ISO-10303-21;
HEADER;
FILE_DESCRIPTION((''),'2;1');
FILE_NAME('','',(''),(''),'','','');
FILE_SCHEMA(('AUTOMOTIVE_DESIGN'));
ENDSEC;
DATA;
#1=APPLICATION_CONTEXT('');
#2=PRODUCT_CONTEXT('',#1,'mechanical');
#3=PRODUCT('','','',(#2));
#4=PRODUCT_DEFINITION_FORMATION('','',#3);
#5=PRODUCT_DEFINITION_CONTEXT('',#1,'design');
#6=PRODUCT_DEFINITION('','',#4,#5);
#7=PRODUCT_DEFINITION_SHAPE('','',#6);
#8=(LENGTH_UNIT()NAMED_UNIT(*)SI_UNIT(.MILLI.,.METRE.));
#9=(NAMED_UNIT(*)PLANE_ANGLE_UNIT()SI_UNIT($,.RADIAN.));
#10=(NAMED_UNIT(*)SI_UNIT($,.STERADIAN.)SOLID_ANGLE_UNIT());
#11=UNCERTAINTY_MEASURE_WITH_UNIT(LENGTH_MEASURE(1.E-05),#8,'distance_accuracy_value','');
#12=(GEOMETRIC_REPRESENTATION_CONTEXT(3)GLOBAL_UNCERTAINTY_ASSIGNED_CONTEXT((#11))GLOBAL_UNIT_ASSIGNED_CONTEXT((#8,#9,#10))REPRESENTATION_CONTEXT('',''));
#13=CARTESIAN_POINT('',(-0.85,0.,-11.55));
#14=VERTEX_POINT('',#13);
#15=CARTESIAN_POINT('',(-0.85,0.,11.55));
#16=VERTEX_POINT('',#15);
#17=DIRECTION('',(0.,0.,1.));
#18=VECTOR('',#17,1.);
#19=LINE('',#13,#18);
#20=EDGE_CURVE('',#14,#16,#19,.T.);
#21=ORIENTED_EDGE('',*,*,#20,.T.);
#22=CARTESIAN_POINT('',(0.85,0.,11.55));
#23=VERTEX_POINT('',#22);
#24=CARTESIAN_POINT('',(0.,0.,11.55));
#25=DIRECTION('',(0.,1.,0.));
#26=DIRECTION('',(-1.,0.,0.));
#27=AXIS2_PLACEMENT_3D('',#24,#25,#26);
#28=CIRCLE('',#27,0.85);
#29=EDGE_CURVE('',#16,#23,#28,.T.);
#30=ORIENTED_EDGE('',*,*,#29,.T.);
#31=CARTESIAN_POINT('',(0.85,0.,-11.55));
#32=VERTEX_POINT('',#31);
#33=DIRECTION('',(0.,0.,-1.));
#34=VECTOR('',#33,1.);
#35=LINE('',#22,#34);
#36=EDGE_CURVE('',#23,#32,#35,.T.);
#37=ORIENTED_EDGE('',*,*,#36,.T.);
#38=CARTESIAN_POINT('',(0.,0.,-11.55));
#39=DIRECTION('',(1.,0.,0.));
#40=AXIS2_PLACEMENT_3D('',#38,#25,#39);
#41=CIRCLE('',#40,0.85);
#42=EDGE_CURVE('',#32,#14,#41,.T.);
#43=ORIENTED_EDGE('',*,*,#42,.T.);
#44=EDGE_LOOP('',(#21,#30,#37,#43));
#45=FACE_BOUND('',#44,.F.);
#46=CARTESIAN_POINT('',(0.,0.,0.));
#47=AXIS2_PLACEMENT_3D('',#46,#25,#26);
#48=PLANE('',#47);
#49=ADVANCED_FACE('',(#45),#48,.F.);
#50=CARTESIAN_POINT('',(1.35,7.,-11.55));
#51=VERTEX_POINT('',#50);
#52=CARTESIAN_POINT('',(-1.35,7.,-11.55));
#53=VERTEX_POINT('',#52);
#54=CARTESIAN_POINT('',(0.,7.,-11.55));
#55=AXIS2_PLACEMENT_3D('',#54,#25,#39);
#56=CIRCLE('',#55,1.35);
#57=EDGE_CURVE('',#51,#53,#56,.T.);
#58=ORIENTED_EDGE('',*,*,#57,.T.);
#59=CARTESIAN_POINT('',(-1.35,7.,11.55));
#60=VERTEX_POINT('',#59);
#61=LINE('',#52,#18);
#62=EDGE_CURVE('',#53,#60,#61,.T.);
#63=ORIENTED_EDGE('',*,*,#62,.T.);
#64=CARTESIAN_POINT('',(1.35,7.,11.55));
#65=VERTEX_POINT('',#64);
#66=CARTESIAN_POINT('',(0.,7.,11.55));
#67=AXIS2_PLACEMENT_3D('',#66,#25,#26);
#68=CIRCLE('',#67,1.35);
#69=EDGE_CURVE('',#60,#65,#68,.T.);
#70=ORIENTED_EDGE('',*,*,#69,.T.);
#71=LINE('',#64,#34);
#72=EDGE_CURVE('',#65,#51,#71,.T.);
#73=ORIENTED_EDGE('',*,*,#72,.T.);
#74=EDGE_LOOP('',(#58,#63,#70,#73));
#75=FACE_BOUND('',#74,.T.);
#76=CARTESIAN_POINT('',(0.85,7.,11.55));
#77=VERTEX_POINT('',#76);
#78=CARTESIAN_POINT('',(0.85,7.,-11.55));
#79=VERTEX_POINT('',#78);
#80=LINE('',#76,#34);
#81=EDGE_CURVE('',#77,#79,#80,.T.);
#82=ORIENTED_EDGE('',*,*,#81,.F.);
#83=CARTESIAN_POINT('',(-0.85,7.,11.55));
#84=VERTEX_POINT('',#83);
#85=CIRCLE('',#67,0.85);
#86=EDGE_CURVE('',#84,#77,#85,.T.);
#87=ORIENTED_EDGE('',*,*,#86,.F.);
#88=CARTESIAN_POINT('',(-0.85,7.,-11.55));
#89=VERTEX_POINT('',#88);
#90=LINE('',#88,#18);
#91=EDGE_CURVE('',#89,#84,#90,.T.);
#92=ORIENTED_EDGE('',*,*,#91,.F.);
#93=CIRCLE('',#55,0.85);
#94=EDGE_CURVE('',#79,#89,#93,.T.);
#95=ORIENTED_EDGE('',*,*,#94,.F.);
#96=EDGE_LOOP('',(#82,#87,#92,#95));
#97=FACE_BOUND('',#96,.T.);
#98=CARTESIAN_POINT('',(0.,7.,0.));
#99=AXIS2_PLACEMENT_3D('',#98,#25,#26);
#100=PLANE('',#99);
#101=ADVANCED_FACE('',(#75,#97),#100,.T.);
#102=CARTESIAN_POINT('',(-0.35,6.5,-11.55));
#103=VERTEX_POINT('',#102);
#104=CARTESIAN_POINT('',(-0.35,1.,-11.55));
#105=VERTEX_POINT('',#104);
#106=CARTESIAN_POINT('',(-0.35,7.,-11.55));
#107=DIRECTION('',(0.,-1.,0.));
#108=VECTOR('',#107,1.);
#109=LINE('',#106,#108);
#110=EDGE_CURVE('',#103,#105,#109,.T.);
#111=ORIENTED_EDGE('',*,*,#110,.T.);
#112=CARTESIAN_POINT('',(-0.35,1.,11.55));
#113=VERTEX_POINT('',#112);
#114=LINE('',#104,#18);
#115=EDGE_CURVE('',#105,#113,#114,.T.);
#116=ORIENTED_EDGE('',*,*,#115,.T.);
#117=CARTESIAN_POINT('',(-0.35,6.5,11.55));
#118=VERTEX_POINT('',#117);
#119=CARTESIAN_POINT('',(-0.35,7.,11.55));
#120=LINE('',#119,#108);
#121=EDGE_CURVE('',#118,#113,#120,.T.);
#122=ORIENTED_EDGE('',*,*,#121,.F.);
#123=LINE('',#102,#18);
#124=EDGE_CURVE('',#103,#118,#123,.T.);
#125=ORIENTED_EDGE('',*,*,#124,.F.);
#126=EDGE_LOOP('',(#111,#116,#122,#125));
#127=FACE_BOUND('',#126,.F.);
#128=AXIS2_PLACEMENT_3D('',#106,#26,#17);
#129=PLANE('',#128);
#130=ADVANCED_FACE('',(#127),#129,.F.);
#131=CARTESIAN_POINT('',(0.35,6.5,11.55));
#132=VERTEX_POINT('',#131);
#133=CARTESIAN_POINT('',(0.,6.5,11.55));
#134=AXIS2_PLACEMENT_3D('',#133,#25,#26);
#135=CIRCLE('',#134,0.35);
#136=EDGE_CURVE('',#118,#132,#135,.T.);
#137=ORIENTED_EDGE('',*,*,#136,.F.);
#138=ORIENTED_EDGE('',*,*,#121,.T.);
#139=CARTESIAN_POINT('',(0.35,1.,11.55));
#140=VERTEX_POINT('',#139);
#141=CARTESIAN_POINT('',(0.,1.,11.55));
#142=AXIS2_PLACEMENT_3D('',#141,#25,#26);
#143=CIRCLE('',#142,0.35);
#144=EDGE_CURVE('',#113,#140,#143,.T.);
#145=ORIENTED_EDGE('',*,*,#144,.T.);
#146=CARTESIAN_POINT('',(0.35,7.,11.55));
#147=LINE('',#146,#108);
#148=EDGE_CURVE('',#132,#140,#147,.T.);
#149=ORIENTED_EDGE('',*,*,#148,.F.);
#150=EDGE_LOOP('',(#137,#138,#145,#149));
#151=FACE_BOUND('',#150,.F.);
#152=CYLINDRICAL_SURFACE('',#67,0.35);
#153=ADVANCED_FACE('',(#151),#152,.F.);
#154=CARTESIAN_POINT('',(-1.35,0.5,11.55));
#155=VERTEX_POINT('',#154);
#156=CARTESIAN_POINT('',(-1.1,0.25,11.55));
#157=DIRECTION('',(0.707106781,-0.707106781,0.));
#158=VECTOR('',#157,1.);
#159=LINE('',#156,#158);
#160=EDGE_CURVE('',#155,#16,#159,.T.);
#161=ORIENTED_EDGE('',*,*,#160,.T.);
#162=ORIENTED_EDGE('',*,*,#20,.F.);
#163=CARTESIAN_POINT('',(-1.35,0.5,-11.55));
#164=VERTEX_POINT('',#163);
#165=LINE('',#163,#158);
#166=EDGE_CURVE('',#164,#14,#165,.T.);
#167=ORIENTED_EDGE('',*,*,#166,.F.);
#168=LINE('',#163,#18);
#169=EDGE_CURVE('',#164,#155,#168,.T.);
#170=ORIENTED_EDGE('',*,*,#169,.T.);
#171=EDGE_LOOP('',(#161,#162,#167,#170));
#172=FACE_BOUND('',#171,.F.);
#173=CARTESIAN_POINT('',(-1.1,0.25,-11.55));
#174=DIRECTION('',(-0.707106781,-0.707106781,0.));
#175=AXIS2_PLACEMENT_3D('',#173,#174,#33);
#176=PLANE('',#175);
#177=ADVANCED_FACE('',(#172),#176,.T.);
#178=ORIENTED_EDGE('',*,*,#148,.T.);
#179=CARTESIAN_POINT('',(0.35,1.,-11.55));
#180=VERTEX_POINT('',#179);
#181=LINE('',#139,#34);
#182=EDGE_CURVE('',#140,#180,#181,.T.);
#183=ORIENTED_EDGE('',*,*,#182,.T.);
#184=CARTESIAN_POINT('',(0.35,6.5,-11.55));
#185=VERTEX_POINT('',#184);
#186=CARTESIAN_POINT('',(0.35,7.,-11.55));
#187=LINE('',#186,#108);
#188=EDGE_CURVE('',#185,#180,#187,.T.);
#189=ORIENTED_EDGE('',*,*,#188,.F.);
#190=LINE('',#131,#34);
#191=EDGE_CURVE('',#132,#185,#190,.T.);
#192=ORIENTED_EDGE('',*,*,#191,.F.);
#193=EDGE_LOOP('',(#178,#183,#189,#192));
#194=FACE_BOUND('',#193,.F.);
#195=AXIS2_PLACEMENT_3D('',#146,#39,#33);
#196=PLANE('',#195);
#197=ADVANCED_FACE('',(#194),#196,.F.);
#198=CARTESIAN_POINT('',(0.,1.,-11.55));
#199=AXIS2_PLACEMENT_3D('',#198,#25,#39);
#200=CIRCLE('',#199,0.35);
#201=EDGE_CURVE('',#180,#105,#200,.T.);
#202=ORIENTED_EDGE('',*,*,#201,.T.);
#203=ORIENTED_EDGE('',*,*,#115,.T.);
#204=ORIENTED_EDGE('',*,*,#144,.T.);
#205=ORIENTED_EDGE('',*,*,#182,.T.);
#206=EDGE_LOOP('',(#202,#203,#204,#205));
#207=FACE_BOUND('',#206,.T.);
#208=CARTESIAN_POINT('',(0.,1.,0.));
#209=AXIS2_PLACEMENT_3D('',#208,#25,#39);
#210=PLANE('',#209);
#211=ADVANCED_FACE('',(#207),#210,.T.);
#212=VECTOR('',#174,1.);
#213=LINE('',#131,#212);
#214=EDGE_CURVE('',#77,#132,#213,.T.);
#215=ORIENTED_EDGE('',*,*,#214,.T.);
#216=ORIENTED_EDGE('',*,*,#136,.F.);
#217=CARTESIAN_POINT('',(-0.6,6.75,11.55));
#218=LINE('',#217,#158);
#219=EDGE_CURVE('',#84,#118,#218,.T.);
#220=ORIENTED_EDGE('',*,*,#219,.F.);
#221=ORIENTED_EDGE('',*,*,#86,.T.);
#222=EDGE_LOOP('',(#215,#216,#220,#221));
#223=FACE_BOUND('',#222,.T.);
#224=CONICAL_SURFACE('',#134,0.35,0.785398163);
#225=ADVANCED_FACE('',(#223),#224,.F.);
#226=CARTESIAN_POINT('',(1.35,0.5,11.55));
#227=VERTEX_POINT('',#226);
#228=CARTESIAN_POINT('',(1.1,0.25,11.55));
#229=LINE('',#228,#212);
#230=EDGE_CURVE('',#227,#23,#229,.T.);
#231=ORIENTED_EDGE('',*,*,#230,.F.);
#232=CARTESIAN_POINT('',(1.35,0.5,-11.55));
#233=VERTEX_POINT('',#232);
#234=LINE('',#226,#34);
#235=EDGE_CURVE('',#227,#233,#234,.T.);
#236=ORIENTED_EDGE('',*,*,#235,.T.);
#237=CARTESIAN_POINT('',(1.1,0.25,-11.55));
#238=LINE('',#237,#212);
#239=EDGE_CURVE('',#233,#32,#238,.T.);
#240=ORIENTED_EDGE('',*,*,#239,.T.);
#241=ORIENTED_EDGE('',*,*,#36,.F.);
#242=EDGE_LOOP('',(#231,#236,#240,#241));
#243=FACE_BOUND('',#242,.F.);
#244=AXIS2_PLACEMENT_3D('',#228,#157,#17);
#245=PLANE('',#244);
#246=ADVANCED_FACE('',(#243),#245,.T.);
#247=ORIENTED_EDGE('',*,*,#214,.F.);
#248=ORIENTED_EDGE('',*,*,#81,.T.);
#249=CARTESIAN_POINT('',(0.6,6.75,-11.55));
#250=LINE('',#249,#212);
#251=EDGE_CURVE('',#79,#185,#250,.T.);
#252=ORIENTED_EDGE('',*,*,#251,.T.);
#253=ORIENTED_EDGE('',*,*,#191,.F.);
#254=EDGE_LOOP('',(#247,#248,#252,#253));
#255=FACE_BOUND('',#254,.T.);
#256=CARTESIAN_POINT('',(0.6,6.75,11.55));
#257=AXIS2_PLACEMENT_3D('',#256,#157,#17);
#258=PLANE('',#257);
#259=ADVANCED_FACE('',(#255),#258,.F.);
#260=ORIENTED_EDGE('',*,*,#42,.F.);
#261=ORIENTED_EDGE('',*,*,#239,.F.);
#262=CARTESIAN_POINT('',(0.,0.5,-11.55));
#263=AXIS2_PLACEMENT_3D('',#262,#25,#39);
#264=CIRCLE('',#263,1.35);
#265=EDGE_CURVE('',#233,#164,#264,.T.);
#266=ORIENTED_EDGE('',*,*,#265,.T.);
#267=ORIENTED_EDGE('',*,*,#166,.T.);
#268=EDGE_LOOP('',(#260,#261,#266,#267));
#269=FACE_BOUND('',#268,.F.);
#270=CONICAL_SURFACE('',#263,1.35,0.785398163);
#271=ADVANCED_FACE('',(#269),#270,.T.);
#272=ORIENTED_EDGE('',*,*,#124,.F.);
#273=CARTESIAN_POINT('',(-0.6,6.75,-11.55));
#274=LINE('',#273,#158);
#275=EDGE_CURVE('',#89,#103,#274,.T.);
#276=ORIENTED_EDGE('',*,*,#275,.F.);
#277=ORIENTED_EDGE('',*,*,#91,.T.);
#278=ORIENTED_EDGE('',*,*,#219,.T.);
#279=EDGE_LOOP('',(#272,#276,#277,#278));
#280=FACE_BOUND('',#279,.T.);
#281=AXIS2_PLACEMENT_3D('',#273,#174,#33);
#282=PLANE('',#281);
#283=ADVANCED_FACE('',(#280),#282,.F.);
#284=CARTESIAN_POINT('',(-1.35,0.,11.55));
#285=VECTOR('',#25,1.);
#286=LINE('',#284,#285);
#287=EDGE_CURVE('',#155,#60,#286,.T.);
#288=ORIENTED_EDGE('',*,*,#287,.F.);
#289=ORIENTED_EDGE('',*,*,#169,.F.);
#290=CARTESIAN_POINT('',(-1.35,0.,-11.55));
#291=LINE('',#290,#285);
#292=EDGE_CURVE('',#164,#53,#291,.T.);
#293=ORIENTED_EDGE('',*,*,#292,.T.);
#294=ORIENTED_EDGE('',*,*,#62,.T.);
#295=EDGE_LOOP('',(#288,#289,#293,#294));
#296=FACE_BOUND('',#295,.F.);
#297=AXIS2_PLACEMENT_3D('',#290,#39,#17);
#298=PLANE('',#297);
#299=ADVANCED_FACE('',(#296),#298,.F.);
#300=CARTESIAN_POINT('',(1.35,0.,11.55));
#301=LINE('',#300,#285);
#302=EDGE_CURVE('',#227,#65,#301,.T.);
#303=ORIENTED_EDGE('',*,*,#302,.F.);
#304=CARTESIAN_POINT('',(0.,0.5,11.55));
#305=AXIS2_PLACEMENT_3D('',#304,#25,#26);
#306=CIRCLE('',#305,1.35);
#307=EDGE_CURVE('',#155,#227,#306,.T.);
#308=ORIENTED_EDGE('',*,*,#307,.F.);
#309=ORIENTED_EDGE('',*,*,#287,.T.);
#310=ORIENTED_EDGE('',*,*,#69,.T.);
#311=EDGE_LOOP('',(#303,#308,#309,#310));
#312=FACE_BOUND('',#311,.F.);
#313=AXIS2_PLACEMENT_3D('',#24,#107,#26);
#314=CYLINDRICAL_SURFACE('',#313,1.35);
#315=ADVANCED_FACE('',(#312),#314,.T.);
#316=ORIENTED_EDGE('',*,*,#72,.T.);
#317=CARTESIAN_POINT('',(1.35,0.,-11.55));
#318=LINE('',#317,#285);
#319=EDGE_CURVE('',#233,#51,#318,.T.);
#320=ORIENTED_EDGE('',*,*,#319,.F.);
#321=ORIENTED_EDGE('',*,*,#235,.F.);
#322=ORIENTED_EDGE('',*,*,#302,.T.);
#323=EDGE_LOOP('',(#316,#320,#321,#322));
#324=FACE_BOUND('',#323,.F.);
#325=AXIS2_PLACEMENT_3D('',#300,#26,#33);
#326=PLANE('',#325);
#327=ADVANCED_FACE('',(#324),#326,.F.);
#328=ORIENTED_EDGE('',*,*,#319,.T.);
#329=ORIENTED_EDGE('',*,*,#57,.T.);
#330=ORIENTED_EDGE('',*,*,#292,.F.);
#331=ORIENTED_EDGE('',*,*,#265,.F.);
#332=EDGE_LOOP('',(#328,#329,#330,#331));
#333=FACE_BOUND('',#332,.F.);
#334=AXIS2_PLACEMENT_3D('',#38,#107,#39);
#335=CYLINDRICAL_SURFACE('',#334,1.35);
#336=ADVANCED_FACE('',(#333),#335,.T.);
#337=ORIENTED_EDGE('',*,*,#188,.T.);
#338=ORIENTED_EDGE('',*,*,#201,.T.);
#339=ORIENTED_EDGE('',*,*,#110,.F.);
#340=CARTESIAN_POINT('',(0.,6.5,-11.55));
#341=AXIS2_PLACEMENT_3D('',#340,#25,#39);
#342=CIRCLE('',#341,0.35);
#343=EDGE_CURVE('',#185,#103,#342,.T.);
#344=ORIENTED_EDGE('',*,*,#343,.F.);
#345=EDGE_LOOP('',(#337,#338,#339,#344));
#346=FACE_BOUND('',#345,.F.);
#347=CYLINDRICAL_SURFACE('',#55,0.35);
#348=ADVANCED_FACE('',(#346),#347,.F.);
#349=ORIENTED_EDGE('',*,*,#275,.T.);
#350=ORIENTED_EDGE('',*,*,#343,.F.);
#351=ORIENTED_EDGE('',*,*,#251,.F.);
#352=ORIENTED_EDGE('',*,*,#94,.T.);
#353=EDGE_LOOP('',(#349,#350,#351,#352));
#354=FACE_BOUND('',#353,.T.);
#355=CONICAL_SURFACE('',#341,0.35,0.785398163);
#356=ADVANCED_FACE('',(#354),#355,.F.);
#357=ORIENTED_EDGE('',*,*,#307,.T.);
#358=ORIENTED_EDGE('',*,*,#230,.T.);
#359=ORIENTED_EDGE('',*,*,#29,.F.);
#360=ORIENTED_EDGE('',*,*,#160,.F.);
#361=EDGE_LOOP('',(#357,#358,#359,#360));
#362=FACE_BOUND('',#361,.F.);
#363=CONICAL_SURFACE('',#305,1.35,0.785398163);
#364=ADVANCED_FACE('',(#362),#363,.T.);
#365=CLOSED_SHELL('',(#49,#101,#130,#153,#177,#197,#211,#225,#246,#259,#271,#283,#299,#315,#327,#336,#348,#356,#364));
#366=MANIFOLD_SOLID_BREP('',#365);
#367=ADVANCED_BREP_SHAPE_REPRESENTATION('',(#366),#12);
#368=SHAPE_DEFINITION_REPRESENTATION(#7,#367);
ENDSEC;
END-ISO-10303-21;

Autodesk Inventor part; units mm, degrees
ref_plane "YZ Plane" through (0, 0, 0) normal (1, 0, 0) x (0, 1, 0)
ref_plane "XZ Plane" through (0, 0, 0) normal (0, 1, 0) x (-1, 0, 0)
ref_plane "XY Plane" through (0, 0, 0) normal (0, 0, 1) x (1, 0, 0)
sketch "Sketch1" plane through (0, 0, 0) normal (0, 1, 0) x (-1, 0, 0)
  line L0 (-1.35, 11.55) -> (-1.35, -11.55)
  line L1 (1.35, -11.55) -> (1.35, 11.55)
  arc A0 (1.35, 11.55) -> (-1.35, 11.55) centre (0, 11.55) ccw
  arc A1 (-1.35, -11.55) -> (1.35, -11.55) centre (0, -11.55) ccw
  line L2 (0, 12.9) -> (0, -12.9) construction
  point P0 (0, 0)
  point P1 (0, 0)
  dimension "d0" = 2.7
  dimension "d2" = 25.8
extrude "Extrusion1" add sketch "Sketch1" along normal blind 7
sketch "Sketch2" plane through (0, 7, 0) normal (0, 1, 0) x (1, 0, 0)
  line L0 (0.35, -11.55) -> (0.35, 11.55)
  line L1 (-0.35, 11.55) -> (-0.35, -11.55)
  arc A0 (-0.35, -11.55) -> (0.35, -11.55) centre (0, -11.55) ccw
  arc A1 (0.35, 11.55) -> (-0.35, 11.55) centre (0, 11.55) ccw
  line L2 (0, -11.9) -> (0, 11.9) construction
  point P0 (0, 0)
  point P1 (0, 0)
  dimension "d5" = 23.8
  dimension "d6" = 0.7
extrude "Extrusion2" cut sketch "Sketch2" against normal blind 6
chamfer "Chamfer1" distance 0.5 angle 45 4 edges at (1.35, 0, 0) (0, 0, -12.9) (-1.35, 0, 0) (0, 0, 12.9)
chamfer "Chamfer2" distance 0.5 angle 45 4 edges at (-0.35, 7, 0) (0, 7, -11.9) (0.35, 7, 0) (0, 7, 11.9)
equation "\"d5\" = pinlength"
equation "\"d6\" = pinwidth"
equation "\"d7\" = pinheight"
equation "\"pinwidth\" = 0.7"
equation "\"pinheight\" = 6"
equation "\"pinlength\" = 23.8"
properties part number "pin_header_protector"
